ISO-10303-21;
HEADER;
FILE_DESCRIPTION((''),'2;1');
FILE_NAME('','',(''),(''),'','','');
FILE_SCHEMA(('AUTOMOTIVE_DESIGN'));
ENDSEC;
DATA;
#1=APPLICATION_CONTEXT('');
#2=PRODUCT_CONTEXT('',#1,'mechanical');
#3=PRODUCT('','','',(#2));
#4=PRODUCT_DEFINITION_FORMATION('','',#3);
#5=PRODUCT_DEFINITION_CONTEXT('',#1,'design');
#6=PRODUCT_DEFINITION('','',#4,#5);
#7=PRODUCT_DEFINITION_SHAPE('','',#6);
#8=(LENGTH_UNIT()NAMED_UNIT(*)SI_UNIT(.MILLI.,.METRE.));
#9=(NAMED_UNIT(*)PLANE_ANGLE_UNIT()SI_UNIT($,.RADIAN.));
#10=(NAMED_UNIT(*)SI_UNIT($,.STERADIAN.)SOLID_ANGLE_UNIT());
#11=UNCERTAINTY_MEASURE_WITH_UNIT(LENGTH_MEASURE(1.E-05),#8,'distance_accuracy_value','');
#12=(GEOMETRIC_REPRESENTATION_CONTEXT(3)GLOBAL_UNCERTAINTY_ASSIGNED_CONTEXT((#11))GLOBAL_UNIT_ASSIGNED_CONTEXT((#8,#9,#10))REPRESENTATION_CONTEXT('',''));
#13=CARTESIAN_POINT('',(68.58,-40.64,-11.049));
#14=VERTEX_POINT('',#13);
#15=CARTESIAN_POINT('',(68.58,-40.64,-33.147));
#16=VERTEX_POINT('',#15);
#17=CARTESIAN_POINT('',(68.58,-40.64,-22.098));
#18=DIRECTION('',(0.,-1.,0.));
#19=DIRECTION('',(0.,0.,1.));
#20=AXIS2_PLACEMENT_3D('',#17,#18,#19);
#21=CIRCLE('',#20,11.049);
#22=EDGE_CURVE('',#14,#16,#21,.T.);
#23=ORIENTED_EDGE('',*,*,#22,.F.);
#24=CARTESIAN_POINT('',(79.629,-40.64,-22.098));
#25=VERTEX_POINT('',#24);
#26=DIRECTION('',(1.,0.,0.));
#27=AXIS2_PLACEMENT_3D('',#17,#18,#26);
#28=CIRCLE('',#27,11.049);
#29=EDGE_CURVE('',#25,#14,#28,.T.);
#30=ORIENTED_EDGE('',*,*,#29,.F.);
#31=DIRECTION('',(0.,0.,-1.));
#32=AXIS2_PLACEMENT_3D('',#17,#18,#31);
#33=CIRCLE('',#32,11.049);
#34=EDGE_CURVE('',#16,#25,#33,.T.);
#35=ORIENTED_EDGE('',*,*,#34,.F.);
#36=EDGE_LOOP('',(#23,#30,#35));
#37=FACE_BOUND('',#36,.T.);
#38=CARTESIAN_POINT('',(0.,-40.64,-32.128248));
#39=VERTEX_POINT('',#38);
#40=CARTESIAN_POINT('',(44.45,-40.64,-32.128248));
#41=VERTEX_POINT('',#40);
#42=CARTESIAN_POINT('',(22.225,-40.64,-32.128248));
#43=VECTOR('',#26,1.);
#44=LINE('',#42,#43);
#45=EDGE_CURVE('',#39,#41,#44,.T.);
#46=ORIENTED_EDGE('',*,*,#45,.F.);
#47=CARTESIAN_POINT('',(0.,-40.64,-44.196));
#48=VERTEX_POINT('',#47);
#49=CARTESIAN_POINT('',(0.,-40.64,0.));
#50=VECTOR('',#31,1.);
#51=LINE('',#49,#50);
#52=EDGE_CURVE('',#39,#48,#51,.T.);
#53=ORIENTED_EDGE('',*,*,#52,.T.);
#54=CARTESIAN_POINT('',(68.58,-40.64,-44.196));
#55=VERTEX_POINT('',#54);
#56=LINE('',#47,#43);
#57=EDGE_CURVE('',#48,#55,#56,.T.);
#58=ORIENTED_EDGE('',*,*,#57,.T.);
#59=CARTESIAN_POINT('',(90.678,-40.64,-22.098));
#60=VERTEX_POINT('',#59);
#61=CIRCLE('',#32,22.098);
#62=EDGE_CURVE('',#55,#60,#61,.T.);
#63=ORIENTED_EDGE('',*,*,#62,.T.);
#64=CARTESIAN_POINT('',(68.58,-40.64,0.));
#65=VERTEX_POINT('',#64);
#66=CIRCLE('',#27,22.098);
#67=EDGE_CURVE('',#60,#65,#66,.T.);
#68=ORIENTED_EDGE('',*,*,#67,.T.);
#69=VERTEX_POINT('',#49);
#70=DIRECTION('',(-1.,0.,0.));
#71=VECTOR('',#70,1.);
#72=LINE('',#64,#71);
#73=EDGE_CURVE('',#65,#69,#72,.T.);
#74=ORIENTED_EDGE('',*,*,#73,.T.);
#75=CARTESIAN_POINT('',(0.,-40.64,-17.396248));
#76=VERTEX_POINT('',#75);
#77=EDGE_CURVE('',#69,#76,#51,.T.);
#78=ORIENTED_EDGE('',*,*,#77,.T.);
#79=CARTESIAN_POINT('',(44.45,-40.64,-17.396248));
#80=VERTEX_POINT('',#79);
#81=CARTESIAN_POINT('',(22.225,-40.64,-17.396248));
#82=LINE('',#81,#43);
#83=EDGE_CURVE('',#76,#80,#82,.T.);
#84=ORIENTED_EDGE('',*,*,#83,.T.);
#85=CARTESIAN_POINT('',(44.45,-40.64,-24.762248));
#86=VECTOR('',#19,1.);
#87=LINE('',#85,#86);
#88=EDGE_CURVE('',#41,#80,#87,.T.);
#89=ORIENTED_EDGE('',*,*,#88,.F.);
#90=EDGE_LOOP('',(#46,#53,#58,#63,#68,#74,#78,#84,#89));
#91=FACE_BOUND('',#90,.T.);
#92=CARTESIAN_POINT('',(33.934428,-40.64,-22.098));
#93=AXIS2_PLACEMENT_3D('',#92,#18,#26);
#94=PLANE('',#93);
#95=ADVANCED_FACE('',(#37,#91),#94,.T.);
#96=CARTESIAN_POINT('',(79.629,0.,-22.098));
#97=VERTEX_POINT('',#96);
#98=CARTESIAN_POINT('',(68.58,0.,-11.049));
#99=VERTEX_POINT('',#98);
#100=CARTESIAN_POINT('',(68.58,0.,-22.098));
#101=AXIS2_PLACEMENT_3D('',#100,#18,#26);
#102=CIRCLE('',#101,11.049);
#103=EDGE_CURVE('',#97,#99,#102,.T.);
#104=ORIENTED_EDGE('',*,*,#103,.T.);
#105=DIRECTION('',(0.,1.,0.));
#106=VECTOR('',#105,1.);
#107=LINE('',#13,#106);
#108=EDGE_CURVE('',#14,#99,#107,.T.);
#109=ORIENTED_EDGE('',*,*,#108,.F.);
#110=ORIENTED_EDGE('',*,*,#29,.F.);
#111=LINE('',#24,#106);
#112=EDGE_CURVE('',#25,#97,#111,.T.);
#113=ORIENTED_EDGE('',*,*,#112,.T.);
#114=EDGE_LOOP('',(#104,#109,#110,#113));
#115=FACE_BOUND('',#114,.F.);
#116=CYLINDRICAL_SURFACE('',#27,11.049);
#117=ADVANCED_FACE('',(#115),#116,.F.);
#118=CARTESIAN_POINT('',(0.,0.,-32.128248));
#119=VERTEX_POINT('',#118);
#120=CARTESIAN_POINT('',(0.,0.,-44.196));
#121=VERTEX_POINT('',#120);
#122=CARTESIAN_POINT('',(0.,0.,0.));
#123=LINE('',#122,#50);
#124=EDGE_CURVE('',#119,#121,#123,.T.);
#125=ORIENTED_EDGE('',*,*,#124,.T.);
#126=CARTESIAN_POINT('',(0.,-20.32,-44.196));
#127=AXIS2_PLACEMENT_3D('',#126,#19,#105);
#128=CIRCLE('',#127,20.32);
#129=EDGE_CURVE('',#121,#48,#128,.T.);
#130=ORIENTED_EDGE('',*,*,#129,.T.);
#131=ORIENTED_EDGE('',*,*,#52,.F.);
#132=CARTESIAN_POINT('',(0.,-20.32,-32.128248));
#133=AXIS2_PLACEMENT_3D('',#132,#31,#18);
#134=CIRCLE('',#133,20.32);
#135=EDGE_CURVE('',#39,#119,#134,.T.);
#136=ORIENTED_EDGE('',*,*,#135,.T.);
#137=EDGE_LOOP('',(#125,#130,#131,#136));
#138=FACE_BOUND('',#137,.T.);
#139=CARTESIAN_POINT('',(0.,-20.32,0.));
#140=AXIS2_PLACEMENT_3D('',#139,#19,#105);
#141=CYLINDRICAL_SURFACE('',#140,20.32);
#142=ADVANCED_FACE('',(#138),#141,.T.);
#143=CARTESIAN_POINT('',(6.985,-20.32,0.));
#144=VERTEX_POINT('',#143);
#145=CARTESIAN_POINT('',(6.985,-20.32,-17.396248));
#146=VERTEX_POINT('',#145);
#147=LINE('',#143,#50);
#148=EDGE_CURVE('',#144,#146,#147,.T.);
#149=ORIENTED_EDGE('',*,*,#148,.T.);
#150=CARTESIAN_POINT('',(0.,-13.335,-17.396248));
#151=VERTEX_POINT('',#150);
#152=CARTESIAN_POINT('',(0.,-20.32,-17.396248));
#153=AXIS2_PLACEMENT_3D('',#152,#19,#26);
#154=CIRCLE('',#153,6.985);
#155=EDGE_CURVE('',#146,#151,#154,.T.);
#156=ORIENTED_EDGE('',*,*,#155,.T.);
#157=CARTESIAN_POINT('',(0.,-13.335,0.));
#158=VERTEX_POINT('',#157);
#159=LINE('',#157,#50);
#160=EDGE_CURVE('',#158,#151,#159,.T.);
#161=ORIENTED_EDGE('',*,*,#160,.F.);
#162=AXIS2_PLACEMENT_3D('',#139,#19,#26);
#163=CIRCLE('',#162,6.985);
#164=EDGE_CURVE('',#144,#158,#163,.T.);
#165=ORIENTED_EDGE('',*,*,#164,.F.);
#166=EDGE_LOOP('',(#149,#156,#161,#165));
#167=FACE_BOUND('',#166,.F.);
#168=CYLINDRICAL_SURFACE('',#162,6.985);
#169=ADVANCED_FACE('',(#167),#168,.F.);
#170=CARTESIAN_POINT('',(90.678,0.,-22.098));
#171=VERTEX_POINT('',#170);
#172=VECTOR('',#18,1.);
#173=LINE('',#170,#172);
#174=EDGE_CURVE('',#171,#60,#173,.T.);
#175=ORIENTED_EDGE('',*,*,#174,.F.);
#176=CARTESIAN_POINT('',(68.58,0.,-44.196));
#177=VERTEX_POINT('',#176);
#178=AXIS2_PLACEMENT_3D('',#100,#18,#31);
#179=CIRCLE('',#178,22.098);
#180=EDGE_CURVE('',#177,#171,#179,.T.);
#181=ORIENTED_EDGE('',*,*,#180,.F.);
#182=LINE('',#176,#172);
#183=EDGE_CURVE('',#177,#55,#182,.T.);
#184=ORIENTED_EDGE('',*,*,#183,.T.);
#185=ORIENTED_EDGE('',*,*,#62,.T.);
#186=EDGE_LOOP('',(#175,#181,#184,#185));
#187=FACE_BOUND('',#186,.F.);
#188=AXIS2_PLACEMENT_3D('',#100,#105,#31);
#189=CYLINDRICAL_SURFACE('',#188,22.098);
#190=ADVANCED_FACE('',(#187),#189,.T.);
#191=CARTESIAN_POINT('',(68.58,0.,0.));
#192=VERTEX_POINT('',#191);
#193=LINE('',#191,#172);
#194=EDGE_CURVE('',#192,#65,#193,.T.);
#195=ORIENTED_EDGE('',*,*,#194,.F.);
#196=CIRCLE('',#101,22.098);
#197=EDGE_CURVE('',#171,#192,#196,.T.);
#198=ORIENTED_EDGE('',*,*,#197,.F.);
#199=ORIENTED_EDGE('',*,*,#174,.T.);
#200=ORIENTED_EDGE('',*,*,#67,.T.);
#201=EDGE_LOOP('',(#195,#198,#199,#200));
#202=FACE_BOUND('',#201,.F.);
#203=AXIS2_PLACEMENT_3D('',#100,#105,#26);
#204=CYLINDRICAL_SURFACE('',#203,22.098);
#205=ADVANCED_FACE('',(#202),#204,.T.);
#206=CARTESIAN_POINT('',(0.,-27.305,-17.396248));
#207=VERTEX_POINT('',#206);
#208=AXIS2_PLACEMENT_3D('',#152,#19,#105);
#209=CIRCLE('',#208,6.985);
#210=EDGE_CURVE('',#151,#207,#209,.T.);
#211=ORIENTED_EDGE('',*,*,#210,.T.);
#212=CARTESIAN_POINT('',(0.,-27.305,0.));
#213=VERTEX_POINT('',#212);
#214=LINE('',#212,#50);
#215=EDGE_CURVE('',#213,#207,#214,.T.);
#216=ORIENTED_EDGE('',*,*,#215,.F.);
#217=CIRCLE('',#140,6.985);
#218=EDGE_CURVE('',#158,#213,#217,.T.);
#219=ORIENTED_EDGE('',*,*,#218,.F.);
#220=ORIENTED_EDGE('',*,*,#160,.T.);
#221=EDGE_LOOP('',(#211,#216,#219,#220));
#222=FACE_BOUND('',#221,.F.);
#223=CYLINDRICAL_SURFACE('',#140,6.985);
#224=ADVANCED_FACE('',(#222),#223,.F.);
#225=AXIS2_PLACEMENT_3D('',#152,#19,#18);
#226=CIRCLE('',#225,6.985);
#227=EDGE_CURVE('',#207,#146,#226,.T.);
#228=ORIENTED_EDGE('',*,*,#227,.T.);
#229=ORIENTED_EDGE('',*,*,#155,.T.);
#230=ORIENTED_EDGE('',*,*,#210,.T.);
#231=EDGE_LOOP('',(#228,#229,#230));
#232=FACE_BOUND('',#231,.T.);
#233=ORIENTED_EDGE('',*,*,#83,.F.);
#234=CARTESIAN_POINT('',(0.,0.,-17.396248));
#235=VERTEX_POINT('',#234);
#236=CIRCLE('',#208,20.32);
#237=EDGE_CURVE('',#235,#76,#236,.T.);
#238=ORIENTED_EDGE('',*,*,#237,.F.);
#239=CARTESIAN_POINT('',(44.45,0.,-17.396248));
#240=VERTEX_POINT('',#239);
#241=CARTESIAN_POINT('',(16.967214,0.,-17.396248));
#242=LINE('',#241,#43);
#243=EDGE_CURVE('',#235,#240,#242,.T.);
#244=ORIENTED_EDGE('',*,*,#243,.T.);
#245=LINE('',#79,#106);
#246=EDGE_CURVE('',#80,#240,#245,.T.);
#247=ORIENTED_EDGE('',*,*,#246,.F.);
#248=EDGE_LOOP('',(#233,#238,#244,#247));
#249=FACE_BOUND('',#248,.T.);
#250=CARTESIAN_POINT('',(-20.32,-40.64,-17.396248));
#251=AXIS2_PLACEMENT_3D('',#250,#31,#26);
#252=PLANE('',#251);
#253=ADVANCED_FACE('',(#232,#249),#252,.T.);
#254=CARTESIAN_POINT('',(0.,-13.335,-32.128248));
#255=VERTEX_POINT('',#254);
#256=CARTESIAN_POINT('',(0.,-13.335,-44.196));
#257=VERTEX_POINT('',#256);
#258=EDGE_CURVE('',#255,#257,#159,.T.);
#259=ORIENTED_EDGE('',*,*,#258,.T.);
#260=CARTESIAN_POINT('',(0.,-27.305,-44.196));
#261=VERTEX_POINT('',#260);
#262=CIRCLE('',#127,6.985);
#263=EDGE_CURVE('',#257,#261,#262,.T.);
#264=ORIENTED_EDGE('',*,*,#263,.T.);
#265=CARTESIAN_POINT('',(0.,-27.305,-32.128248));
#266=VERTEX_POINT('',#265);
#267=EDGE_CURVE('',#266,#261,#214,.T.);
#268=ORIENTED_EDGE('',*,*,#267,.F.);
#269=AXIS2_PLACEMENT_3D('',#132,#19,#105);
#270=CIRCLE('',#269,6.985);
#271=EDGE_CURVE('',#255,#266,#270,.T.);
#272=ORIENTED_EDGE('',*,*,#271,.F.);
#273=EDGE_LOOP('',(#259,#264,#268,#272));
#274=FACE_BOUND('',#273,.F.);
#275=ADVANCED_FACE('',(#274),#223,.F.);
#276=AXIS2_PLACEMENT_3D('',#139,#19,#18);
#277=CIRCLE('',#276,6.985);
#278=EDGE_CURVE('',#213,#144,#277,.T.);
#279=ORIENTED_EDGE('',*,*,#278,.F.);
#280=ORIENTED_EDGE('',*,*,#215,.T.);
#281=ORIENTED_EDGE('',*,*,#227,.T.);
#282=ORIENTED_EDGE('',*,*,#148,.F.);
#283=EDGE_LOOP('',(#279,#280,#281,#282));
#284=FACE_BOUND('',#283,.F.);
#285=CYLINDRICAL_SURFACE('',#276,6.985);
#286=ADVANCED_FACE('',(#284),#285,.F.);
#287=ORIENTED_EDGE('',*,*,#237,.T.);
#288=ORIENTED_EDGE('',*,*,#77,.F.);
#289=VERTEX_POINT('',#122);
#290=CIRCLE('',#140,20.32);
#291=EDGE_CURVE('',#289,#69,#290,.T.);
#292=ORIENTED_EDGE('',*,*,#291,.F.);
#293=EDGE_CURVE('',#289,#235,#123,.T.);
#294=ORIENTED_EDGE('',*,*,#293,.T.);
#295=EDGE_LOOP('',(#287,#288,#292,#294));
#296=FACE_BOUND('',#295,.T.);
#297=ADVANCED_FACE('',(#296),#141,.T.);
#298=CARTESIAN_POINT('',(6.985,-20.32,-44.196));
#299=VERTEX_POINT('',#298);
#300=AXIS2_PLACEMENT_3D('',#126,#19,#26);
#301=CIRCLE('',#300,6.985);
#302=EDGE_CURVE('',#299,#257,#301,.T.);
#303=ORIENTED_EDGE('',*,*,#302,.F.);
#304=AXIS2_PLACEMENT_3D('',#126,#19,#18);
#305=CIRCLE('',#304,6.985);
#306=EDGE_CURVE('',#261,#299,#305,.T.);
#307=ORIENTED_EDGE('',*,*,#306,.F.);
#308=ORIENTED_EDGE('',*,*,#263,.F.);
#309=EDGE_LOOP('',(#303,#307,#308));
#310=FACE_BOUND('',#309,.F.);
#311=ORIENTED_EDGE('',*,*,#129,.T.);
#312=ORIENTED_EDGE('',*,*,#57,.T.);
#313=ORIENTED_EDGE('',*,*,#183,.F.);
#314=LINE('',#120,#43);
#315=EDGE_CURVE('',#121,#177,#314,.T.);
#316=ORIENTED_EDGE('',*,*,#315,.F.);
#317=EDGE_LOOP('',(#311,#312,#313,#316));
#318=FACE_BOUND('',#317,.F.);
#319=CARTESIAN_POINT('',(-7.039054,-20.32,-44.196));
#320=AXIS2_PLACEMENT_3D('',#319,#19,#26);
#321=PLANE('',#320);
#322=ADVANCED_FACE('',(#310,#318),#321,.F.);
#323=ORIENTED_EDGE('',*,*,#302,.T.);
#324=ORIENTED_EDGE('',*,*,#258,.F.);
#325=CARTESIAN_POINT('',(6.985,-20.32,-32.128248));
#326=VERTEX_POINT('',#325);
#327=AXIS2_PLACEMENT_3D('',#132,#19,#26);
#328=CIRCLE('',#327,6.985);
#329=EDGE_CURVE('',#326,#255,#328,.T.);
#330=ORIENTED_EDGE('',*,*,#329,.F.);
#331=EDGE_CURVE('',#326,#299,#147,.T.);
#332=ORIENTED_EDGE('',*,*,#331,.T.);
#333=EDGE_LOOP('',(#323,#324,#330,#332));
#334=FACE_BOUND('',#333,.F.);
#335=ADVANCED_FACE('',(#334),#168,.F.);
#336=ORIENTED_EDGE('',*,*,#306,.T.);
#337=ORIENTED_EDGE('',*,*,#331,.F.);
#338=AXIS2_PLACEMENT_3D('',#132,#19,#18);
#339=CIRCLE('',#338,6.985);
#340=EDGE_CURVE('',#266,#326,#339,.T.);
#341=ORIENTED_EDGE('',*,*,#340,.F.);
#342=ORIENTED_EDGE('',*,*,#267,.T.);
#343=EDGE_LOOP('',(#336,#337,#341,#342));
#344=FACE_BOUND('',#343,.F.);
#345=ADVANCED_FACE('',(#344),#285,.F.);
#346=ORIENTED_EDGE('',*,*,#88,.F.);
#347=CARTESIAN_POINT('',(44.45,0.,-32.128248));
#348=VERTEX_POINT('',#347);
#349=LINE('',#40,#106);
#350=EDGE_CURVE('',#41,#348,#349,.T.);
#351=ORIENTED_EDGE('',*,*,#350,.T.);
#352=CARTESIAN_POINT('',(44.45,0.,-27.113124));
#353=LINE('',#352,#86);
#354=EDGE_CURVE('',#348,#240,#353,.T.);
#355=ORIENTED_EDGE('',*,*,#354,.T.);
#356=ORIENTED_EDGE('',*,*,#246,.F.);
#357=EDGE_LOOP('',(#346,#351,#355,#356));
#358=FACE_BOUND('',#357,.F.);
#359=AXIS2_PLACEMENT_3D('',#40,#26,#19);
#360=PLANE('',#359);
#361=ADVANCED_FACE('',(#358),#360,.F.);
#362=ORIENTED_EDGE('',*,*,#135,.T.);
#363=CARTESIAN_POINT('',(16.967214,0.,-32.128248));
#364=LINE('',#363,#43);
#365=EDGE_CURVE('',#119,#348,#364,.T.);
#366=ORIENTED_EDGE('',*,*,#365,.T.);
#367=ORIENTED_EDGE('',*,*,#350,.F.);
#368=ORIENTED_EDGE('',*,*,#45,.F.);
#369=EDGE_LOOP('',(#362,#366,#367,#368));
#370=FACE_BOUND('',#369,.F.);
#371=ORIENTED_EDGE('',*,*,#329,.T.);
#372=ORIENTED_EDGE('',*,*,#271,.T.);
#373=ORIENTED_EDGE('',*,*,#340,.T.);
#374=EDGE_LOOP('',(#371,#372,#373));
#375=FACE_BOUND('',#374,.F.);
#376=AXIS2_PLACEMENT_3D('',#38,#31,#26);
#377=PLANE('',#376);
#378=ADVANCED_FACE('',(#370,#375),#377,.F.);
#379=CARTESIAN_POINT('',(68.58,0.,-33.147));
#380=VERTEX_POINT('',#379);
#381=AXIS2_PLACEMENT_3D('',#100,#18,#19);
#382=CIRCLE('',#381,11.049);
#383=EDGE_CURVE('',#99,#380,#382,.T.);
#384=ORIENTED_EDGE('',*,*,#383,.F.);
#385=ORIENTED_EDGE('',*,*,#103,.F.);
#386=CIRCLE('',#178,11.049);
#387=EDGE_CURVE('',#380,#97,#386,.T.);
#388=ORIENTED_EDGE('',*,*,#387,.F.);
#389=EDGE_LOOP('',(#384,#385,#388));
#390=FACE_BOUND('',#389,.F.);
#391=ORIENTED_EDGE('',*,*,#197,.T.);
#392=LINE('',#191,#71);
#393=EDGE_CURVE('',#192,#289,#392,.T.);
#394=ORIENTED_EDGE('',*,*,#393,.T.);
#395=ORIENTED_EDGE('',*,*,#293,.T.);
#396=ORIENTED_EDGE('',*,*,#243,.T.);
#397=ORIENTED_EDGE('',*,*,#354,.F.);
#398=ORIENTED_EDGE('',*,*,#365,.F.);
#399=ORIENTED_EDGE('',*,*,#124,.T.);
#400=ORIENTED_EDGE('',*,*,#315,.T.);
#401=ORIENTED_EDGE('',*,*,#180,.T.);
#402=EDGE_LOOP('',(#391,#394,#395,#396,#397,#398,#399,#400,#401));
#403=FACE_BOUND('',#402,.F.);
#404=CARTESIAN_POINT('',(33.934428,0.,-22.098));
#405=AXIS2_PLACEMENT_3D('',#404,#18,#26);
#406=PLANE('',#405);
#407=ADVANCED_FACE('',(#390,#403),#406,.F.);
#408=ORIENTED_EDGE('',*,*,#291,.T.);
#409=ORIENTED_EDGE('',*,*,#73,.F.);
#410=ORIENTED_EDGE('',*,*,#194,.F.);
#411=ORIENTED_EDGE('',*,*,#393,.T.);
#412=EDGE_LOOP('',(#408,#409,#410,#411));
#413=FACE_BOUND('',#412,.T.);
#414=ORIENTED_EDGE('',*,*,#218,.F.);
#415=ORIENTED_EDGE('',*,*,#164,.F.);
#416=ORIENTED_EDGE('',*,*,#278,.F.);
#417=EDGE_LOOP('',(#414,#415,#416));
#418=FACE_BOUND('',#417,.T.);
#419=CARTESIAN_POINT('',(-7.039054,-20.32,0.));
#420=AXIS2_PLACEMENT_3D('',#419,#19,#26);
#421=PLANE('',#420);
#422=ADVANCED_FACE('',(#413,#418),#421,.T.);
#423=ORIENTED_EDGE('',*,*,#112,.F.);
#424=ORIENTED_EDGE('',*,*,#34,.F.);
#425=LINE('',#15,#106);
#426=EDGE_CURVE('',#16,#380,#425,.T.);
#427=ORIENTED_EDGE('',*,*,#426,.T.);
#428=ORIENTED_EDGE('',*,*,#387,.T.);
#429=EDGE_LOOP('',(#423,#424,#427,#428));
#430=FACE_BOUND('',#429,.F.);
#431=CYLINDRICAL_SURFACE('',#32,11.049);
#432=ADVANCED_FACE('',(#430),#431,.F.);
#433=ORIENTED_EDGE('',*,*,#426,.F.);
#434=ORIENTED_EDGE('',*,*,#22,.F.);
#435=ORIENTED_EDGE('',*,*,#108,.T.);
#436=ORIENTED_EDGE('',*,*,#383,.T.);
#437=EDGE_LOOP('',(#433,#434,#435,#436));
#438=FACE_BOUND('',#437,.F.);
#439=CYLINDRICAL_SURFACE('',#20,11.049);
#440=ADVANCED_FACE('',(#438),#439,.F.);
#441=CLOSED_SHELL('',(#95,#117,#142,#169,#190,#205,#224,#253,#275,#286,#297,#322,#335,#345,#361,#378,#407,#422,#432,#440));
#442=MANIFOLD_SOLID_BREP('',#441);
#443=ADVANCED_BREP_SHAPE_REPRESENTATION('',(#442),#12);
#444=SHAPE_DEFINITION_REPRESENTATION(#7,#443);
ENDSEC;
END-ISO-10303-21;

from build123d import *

# Parameters (mm, degrees)
F1_DEPTH  = 40.64
F3_DEPTH  = 44.196
F4_W      = 44.45
F4_H      = 14.732
F5_DEPTH  = 40.641
F6_W      = 20.32
F6_H      = 14.732
F7_DEPTH  = 40.641
F9_DEPTH  = 44.197
F11_DEPTH = 40.641


with BuildPart() as f1:
    # F0 (on Front) → F1 (new body)
    with BuildSketch(Plane.XZ):
        with BuildLine():
            Line((68.58, 0), (0, 0))
            Line((0, 0), (0, -44.196))
            Line((0, -44.196), (68.58, -44.196))
            ThreePointArc((68.58, -44.196), (46.482, -22.098), (68.58, 0))
        make_face()
        with BuildLine():
            ThreePointArc((90.678, -22.098), (84.2056456507, -6.4723543493), (68.58, 0))
            Line((68.58, 0), (68.58, -44.196))
            ThreePointArc((68.58, -44.196), (84.2056456507, -37.7236456507), (90.678, -22.098))
        make_face()
        with BuildLine():
            Line((68.58, -44.196), (68.58, 0))
            ThreePointArc((68.58, 0), (46.482, -22.098), (68.58, -44.196))
        make_face()
    extrude(amount=F1_DEPTH)

    # F2 (on face) → F3 (join)
    with BuildSketch(Plane.XY):
        with BuildLine():
            Line((0, -40.64), (0, 0))
            ThreePointArc((0, 0), (-20.32, -20.32), (0, -40.64))
        make_face()
    extrude(amount=-F3_DEPTH)

    # F4 (on face) → F5 (cut, through all)
    with BuildSketch(Plane.XZ.offset(40.64)):
        with Locations((22.225, -24.7622483637)):
            Rectangle(F4_W, F4_H)
    extrude(amount=-F5_DEPTH, mode=Mode.SUBTRACT)

    # F6 (on face) → F7 (cut, through all)
    with BuildSketch(Plane.XZ.offset(40.64)):
        with Locations((-10.16, -24.7622483637)):
            Rectangle(F6_W, F6_H)
    extrude(amount=-F7_DEPTH, mode=Mode.SUBTRACT)

    # F8 (on face) → F9 (cut, through all)
    with BuildSketch(Plane.XY):
        with BuildLine():
            ThreePointArc((0, -13.335), (-6.985, -20.32), (0, -27.305))
            Line((0, -27.305), (0, -13.335))
        make_face()
        with BuildLine():
            Line((0, -13.335), (0, -27.305))
            ThreePointArc((0, -27.305), (4.9391408666, -25.2591408666), (6.985, -20.32))
            ThreePointArc((6.985, -20.32), (4.9391408666, -15.3808591334), (0, -13.335))
        make_face()
    extrude(amount=-F9_DEPTH, mode=Mode.SUBTRACT)

    # F10 (on face) → F11 (cut, through all)
    with BuildSketch(Plane.XZ.offset(40.64)):
        with BuildLine():
            ThreePointArc((79.629, -22.098), (76.3928228253, -14.2851771747), (68.58, -11.049))
            Line((68.58, -11.049), (68.58, -33.147))
            ThreePointArc((68.58, -33.147), (76.3928228253, -29.9108228253), (79.629, -22.098))
        make_face()
        with BuildLine():
            Line((68.58, -33.147), (68.58, -11.049))
            ThreePointArc((68.58, -11.049), (57.531, -22.098), (68.58, -33.147))
        make_face()
    extrude(amount=-F11_DEPTH, mode=Mode.SUBTRACT)


solid = f1.part
